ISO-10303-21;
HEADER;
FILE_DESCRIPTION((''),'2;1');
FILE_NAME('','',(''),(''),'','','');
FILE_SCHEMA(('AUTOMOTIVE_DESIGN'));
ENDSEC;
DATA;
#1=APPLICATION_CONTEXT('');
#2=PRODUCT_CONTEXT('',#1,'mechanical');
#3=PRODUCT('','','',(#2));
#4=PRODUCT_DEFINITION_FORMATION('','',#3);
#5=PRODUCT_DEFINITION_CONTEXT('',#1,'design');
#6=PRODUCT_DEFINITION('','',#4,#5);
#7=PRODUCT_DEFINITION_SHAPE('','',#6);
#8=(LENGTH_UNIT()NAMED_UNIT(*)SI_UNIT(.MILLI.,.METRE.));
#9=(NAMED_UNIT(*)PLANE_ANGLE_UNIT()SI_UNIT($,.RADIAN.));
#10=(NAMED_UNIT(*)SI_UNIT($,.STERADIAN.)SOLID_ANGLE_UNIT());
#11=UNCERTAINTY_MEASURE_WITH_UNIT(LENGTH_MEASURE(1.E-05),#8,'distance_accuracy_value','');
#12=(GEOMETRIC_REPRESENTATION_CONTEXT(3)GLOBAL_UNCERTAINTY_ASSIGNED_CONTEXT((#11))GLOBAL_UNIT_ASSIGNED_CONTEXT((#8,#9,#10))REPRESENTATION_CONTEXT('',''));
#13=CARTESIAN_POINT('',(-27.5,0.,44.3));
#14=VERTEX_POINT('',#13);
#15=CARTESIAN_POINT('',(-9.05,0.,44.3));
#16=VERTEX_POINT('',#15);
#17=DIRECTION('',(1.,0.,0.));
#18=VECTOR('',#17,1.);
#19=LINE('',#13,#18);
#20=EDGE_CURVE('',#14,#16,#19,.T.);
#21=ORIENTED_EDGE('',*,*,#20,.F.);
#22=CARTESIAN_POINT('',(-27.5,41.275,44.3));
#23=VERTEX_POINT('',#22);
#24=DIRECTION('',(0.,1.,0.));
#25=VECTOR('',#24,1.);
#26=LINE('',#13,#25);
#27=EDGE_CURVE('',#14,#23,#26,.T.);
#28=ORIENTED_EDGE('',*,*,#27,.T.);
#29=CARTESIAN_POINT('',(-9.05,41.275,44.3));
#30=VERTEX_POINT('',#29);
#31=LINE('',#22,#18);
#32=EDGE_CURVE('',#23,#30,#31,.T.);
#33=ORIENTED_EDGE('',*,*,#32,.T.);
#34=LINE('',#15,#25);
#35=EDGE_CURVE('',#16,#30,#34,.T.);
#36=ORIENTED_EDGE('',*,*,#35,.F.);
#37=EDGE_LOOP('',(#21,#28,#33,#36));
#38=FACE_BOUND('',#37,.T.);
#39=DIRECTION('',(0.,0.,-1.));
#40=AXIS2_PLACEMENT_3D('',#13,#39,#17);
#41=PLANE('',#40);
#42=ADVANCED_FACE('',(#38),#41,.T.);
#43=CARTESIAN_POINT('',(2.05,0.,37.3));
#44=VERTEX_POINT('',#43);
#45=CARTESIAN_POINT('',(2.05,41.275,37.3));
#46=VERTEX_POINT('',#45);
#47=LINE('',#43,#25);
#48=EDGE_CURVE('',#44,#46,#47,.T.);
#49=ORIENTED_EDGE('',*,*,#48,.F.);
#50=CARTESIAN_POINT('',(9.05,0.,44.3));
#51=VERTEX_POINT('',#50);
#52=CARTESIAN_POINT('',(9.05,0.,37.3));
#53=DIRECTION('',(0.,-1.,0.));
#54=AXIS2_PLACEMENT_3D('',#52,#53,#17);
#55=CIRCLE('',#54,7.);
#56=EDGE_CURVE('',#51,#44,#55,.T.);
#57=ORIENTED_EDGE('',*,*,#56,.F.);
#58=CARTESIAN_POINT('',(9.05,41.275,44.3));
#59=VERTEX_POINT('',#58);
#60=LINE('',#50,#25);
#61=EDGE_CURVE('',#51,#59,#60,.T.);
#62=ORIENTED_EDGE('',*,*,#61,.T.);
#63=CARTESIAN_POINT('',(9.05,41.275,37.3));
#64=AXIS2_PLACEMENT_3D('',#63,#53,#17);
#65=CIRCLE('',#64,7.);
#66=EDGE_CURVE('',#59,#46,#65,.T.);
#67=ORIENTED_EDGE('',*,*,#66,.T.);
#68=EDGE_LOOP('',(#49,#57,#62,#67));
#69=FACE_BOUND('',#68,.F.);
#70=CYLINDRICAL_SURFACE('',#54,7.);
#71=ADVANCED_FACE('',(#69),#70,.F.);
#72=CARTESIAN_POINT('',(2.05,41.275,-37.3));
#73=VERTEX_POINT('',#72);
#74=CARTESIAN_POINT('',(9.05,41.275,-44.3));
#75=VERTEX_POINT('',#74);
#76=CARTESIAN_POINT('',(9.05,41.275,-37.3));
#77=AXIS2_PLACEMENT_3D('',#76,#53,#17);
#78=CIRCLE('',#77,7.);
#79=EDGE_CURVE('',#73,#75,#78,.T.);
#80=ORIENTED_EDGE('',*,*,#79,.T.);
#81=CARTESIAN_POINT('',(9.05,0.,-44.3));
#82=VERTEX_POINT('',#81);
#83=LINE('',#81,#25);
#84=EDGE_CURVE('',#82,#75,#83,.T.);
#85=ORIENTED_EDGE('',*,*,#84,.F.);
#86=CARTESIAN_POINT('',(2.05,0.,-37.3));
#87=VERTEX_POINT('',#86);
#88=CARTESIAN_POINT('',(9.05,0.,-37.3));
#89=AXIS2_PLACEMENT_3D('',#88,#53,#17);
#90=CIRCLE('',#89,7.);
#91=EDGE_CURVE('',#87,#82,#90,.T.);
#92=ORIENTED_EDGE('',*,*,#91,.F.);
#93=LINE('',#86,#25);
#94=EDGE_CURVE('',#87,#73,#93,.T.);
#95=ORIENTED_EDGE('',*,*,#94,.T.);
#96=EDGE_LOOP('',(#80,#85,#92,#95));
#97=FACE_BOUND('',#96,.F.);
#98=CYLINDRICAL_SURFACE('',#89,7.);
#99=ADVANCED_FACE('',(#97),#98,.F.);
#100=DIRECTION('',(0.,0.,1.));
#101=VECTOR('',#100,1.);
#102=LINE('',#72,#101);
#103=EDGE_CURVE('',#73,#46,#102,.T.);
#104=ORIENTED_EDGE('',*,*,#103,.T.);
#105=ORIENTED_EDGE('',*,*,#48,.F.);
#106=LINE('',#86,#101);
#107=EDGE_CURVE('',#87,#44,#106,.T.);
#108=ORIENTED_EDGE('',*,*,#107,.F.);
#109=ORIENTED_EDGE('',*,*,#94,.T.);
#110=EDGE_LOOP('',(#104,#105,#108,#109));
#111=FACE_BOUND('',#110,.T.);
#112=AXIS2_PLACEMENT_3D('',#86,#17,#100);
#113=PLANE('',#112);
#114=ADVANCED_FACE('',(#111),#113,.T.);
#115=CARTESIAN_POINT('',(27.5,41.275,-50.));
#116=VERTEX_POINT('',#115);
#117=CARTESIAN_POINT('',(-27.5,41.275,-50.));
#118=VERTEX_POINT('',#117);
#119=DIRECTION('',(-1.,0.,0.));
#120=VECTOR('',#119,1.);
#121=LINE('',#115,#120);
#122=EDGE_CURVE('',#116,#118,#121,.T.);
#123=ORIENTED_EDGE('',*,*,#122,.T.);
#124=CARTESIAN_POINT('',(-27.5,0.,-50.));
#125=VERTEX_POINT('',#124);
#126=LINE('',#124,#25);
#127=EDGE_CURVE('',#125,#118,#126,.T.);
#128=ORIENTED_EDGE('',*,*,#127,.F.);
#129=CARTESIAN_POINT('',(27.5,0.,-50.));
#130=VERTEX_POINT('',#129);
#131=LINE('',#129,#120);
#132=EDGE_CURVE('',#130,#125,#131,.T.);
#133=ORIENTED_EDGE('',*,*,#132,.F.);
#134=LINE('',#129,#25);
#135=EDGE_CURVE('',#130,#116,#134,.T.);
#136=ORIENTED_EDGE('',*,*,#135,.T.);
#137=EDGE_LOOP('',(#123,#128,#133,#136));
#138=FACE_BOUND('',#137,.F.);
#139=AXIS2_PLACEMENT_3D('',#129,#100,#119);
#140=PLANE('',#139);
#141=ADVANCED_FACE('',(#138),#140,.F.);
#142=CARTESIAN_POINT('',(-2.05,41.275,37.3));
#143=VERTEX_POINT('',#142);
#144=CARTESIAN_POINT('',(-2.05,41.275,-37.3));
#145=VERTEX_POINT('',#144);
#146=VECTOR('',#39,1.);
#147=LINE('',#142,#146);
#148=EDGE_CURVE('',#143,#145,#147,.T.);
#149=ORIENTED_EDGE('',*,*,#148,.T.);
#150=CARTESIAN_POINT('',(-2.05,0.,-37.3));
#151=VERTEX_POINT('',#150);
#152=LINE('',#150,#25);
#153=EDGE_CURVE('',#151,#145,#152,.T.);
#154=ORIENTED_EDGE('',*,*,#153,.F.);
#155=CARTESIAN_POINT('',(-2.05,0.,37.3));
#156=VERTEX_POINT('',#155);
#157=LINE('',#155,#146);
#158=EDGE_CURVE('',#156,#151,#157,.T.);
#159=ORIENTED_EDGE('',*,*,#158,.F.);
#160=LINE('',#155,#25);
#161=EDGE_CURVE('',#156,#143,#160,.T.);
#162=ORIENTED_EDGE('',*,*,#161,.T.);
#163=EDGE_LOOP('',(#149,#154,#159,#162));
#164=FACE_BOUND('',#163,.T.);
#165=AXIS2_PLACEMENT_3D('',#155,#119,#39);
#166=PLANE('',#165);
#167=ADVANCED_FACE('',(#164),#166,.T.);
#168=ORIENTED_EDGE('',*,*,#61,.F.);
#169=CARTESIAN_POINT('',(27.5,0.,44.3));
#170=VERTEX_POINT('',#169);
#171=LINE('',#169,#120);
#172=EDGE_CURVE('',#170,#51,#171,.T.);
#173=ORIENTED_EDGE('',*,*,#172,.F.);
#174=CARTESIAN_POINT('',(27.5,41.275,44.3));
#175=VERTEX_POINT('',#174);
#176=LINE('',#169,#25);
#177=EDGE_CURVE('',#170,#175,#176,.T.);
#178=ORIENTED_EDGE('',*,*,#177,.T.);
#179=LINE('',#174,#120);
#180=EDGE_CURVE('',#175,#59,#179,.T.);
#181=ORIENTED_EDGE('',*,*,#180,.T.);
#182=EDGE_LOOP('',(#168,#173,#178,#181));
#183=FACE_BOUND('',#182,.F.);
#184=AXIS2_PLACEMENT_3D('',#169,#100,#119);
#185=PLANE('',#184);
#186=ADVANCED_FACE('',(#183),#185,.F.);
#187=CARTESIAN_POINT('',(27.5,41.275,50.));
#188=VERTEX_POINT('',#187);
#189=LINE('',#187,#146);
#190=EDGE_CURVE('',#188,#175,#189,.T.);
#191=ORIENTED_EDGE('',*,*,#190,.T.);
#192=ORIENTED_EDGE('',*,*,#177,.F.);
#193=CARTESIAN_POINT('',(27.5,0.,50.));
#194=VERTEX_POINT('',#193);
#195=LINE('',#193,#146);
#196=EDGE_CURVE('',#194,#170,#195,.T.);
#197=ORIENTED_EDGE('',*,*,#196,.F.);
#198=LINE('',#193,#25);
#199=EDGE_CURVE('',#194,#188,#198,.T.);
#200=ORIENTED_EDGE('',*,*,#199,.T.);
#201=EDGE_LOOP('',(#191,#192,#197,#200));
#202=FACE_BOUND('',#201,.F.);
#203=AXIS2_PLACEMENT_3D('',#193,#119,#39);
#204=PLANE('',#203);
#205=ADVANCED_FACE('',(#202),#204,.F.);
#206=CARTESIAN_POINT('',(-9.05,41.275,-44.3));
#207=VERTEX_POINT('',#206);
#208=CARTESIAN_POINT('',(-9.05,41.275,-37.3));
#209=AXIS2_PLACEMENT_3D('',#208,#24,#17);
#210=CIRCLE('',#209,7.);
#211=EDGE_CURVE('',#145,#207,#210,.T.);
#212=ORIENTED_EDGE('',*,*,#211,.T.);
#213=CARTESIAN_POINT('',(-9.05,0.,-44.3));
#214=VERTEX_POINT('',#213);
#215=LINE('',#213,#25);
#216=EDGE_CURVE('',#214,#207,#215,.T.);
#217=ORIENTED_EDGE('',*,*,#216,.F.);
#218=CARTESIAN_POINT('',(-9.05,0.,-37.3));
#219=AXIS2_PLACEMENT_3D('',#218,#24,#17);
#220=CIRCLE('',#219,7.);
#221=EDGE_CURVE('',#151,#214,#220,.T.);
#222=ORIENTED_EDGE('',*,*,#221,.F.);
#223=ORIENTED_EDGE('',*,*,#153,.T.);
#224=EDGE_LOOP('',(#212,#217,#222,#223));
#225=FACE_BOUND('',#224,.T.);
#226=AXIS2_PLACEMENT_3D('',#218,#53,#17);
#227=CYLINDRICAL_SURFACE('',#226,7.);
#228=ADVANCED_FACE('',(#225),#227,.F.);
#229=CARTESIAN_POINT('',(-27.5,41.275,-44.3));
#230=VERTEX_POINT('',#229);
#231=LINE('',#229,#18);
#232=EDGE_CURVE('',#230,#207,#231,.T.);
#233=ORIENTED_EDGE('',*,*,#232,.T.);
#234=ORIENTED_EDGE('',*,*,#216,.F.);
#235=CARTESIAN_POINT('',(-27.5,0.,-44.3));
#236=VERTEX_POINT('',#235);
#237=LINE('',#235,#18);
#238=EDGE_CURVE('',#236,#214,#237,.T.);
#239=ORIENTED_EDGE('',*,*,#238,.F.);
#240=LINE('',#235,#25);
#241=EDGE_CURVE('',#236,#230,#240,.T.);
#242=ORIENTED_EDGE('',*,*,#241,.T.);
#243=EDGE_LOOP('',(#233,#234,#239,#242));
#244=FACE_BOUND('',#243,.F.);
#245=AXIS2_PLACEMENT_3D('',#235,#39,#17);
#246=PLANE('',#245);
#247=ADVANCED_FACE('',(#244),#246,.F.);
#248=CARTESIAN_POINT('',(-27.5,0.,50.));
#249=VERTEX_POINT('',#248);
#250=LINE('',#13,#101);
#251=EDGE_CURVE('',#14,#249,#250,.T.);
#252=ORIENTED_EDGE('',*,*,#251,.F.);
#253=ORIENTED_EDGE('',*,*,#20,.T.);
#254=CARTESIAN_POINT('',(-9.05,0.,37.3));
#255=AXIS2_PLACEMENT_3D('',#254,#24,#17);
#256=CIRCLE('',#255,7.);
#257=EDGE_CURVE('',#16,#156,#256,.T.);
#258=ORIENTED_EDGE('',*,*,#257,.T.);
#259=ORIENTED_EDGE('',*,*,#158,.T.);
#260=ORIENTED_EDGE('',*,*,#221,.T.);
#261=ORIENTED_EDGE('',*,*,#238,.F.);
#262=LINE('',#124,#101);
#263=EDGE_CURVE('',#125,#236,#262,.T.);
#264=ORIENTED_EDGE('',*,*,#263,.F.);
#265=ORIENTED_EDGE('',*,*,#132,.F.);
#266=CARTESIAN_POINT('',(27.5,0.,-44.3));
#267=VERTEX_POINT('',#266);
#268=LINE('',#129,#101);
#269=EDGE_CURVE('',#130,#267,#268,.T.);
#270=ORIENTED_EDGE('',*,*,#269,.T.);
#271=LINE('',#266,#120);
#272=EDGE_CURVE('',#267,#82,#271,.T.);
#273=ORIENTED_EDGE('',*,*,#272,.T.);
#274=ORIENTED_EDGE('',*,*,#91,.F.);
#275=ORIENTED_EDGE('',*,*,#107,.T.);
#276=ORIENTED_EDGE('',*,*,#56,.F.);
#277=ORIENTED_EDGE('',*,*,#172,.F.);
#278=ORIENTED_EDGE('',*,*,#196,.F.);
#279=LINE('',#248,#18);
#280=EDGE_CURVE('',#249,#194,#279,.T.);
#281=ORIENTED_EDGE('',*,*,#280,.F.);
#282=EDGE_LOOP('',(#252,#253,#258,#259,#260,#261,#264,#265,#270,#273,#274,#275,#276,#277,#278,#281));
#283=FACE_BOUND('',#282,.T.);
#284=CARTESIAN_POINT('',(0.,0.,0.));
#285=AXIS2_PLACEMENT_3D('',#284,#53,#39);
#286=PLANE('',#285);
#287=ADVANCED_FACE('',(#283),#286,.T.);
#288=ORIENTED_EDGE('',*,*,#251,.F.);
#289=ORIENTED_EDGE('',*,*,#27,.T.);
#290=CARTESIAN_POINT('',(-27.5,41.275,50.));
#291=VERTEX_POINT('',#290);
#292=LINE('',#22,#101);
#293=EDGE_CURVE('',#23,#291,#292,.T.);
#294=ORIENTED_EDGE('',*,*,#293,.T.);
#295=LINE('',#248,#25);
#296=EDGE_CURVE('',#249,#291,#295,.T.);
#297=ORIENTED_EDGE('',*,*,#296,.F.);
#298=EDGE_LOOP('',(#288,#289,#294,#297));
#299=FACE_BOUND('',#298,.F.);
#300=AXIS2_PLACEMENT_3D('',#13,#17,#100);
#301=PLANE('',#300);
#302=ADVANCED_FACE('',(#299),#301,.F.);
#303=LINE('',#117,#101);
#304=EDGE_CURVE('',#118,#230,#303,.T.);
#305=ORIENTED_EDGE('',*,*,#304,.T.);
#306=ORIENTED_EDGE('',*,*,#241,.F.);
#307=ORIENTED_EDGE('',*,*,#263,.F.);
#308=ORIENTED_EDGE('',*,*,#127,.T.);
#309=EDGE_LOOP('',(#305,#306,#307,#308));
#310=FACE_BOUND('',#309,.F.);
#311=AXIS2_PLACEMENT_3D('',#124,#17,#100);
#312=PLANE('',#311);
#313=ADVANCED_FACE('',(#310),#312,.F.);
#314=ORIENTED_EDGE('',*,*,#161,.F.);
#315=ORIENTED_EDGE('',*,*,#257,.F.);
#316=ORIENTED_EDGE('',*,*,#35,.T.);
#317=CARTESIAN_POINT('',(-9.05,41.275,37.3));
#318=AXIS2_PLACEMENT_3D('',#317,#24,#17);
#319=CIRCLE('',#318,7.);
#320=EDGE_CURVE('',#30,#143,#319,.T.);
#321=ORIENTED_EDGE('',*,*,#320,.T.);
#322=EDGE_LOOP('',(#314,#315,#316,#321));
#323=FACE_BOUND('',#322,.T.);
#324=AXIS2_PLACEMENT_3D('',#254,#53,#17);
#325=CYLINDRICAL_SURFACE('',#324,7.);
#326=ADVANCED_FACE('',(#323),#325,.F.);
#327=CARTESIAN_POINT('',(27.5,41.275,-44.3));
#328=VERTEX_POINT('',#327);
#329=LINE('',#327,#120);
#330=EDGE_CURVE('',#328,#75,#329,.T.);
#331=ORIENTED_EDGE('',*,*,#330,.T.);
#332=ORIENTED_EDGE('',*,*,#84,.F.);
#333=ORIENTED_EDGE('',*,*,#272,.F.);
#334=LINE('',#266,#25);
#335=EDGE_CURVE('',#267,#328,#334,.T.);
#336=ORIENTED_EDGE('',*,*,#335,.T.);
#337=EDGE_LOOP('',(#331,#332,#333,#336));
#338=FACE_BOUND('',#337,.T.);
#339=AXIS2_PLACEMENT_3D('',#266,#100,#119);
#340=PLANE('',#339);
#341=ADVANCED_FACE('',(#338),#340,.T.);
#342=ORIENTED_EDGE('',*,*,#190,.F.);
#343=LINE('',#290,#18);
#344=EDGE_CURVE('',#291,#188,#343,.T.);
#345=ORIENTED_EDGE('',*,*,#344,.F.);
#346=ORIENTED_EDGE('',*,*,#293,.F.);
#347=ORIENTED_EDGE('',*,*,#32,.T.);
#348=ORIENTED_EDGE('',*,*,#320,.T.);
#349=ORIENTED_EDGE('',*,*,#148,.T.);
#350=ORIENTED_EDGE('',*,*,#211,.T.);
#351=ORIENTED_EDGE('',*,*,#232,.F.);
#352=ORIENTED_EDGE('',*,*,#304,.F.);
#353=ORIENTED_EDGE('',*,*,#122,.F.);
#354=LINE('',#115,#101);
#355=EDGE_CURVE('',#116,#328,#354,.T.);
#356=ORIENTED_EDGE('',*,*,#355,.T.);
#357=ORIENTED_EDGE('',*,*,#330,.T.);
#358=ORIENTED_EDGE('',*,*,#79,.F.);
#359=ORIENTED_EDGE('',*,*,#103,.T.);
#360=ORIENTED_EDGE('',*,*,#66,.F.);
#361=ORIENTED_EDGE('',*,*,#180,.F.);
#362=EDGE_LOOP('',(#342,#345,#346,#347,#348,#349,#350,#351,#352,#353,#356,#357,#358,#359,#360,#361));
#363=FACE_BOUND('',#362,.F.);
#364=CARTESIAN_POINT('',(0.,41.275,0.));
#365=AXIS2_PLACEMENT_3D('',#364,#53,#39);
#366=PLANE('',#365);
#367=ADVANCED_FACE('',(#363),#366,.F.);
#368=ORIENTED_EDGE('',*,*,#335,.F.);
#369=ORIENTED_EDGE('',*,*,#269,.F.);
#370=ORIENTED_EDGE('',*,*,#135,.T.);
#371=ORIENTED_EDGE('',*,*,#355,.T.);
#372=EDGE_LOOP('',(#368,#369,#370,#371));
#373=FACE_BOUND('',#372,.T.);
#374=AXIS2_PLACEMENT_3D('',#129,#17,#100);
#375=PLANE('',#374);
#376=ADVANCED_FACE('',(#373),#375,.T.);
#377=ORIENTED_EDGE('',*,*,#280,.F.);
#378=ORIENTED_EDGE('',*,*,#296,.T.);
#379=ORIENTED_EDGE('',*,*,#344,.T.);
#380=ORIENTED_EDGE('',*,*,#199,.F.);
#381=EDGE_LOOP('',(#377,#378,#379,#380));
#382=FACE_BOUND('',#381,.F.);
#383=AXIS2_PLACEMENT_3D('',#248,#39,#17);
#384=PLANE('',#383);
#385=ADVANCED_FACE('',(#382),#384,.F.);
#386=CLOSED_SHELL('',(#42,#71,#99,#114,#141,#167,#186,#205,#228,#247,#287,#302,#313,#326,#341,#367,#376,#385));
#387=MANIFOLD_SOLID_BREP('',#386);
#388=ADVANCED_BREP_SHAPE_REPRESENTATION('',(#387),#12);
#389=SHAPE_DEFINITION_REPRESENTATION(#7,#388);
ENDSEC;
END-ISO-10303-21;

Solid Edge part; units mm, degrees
sketch "Sketch1" plane through (0, 0, 0) normal (0, -1, 0) x (1, 0, 0)
  line L0 (-2.05, 37.3) -> (-2.05, -37.3)
  arc A0 (-2.05, -37.3) -> (-9.05, -44.3) centre (-9.05, -37.3) cw
  line L1 (-27.5, -44.3) -> (-9.05, -44.3)
  line L2 (-27.5, -50) -> (-27.5, -44.3)
  line L3 (27.5, -50) -> (-27.5, -50)
  line L4 (27.5, -50) -> (27.5, -44.3)
  line L5 (27.5, -44.3) -> (9.05, -44.3)
  arc A1 (2.05, -37.3) -> (9.05, -44.3) centre (9.05, -37.3) ccw
  line L6 (2.05, -37.3) -> (2.05, 37.3)
  arc A2 (9.05, 44.3) -> (2.05, 37.3) centre (9.05, 37.3) ccw
  line L7 (27.5, 44.3) -> (9.05, 44.3)
  line L8 (27.5, 50) -> (27.5, 44.3)
  line L9 (-27.5, 50) -> (27.5, 50)
  line L10 (-27.5, 44.3) -> (-27.5, 50)
  line L11 (-27.5, 44.3) -> (-9.05, 44.3)
  arc A3 (-9.05, 44.3) -> (-2.05, 37.3) centre (-9.05, 37.3) cw
  dimension "D1" = 27.5
  dimension "D2" = 27.5
extrude "Protrusion1" add sketch "Sketch1" against normal blind 41.275
